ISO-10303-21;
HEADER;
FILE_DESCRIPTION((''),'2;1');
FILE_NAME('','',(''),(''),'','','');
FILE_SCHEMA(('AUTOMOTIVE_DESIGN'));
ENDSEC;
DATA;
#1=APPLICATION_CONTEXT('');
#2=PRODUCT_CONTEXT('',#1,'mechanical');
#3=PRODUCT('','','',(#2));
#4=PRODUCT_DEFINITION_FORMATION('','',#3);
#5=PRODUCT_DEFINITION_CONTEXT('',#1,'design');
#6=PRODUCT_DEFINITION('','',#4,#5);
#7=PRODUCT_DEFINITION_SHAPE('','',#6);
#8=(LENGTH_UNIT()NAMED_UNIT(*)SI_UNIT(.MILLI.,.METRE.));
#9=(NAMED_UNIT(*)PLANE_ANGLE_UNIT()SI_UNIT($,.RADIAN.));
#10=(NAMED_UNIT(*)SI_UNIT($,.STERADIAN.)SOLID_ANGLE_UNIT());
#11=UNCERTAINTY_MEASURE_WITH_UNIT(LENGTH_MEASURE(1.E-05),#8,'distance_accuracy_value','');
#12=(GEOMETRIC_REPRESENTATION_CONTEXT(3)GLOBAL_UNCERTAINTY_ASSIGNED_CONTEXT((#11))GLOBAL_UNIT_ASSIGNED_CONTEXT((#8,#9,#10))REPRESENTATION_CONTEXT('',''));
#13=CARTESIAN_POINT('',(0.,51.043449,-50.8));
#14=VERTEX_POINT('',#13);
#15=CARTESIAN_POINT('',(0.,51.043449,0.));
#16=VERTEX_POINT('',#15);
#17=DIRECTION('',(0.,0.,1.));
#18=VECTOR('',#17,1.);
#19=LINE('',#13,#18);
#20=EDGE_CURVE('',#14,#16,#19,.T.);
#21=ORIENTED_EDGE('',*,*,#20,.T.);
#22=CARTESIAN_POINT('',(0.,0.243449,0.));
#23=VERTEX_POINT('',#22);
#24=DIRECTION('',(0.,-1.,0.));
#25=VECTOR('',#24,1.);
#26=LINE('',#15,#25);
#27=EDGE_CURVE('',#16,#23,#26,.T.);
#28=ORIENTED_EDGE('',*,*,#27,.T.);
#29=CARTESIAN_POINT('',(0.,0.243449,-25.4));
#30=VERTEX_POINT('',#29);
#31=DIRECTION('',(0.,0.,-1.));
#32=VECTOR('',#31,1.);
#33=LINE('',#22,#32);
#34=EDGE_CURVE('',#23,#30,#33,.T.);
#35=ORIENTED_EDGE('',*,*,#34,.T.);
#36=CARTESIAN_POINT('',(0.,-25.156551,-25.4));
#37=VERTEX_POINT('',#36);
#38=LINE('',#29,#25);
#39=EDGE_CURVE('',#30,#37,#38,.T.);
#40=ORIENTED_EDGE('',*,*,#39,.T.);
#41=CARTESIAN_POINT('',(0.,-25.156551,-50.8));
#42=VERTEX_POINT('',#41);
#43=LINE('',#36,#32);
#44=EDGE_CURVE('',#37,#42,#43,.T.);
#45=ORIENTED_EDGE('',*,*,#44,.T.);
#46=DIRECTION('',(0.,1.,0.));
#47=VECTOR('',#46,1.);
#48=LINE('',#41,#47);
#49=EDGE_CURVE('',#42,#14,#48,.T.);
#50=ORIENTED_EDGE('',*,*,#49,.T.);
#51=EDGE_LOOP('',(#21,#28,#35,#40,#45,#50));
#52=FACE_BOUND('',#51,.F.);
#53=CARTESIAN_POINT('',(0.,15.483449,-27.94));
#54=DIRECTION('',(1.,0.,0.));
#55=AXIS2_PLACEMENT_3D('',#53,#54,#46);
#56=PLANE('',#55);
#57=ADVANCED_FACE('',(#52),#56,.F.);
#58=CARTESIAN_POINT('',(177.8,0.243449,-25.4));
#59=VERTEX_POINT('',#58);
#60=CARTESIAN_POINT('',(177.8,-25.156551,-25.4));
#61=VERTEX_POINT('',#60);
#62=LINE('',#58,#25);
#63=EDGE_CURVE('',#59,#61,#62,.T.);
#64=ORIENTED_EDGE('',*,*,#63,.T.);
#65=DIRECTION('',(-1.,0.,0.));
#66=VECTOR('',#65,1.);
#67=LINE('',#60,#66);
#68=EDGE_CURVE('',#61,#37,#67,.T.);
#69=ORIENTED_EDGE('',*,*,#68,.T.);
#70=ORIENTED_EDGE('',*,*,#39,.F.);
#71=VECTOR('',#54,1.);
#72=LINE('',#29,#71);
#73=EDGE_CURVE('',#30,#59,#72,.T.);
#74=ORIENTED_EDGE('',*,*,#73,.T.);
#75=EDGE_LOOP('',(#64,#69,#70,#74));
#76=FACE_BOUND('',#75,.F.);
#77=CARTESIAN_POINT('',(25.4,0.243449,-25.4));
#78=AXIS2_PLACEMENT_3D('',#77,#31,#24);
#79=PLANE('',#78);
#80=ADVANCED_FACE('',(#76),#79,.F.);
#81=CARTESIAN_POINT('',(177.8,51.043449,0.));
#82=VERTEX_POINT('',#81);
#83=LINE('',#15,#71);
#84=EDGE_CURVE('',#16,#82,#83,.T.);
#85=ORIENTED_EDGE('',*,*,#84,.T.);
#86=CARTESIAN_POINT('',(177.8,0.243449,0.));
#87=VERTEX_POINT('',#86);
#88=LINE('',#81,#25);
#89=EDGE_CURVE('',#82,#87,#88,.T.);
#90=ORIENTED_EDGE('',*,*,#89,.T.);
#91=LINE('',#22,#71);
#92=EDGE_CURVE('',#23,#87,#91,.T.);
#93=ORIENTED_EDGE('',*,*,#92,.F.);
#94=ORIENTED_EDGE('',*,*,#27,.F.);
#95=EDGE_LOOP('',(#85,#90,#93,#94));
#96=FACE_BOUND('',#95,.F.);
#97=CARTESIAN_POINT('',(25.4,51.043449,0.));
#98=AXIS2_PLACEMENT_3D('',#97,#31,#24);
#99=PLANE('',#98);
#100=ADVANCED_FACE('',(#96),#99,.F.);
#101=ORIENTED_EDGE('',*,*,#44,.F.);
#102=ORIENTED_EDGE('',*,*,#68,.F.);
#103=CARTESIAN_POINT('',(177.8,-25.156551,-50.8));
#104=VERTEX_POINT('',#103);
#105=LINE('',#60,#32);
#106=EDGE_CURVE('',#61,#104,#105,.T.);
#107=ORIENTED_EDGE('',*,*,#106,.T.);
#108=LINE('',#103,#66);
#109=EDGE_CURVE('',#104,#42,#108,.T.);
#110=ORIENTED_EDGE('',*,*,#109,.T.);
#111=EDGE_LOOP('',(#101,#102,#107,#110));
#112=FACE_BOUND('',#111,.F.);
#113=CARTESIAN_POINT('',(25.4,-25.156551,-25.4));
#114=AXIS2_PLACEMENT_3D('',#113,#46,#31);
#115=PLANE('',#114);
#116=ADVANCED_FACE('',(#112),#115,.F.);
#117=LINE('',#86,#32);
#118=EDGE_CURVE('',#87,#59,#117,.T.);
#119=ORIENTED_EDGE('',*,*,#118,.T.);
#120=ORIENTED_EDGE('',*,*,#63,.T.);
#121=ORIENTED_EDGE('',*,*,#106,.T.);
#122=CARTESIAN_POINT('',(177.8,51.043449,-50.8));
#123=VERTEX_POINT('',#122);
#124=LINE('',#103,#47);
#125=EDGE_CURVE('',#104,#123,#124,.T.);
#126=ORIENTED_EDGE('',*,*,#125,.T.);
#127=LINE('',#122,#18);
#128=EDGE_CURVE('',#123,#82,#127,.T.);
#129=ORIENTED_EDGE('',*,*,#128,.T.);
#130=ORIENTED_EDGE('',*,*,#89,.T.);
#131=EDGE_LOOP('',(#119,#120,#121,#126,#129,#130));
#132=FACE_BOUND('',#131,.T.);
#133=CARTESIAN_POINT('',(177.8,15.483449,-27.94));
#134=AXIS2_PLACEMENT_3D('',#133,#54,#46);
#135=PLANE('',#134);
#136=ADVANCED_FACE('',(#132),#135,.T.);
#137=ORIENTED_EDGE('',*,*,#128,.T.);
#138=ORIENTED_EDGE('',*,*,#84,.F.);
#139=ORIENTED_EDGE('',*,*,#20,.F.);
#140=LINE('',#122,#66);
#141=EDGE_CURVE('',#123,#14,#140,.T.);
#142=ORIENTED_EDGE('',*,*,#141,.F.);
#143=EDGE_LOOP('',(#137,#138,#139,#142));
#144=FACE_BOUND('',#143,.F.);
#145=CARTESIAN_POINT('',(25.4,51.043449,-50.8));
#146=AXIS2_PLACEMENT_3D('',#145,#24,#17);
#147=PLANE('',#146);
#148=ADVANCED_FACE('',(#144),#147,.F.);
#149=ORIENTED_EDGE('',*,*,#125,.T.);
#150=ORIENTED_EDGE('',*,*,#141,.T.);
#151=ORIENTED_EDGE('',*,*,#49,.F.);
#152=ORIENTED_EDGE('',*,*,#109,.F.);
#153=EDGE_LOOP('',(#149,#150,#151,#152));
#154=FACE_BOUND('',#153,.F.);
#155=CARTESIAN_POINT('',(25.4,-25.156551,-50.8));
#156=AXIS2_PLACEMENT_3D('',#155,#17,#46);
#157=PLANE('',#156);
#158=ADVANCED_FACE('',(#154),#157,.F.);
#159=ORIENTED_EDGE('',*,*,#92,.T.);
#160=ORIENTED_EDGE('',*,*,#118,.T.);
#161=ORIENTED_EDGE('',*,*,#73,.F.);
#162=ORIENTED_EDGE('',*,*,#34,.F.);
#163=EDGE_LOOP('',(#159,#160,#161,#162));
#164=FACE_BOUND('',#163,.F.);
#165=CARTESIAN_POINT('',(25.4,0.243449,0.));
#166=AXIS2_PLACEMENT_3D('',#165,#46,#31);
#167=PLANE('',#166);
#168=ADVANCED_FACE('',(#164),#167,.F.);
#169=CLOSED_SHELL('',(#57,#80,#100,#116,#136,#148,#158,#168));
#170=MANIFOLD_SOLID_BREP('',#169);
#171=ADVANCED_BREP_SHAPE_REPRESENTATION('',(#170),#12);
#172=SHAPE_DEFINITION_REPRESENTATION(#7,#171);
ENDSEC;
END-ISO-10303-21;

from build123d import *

# Parameters (mm, degrees)
F1_DEPTH = 25.4
F2_DEPTH = 152.4


with BuildPart() as f1:
    # F0 (on Right) → F1 (new body)
    with BuildSketch(Plane.YZ):
        Polygon((51.043449, 0), (0.243449, 0), (0.243449, -25.4), (-25.156551, -25.4), (-25.156551, -50.8), (51.043449, -50.8), align=None)
    extrude(amount=F1_DEPTH)

    # F1_face (on face) → F2 (join)
    with BuildSketch(Plane(origin=(25.4, 18.023449, -27.94), x_dir=(0, 1, 0), z_dir=(1, 0, 0))):
        Polygon((33.02, -22.86), (33.02, 27.94), (-17.78, 27.94), (-17.78, 2.54), (-43.18, 2.54), (-43.18, -22.86), align=None)
    extrude(amount=F2_DEPTH)


solid = f1.part
